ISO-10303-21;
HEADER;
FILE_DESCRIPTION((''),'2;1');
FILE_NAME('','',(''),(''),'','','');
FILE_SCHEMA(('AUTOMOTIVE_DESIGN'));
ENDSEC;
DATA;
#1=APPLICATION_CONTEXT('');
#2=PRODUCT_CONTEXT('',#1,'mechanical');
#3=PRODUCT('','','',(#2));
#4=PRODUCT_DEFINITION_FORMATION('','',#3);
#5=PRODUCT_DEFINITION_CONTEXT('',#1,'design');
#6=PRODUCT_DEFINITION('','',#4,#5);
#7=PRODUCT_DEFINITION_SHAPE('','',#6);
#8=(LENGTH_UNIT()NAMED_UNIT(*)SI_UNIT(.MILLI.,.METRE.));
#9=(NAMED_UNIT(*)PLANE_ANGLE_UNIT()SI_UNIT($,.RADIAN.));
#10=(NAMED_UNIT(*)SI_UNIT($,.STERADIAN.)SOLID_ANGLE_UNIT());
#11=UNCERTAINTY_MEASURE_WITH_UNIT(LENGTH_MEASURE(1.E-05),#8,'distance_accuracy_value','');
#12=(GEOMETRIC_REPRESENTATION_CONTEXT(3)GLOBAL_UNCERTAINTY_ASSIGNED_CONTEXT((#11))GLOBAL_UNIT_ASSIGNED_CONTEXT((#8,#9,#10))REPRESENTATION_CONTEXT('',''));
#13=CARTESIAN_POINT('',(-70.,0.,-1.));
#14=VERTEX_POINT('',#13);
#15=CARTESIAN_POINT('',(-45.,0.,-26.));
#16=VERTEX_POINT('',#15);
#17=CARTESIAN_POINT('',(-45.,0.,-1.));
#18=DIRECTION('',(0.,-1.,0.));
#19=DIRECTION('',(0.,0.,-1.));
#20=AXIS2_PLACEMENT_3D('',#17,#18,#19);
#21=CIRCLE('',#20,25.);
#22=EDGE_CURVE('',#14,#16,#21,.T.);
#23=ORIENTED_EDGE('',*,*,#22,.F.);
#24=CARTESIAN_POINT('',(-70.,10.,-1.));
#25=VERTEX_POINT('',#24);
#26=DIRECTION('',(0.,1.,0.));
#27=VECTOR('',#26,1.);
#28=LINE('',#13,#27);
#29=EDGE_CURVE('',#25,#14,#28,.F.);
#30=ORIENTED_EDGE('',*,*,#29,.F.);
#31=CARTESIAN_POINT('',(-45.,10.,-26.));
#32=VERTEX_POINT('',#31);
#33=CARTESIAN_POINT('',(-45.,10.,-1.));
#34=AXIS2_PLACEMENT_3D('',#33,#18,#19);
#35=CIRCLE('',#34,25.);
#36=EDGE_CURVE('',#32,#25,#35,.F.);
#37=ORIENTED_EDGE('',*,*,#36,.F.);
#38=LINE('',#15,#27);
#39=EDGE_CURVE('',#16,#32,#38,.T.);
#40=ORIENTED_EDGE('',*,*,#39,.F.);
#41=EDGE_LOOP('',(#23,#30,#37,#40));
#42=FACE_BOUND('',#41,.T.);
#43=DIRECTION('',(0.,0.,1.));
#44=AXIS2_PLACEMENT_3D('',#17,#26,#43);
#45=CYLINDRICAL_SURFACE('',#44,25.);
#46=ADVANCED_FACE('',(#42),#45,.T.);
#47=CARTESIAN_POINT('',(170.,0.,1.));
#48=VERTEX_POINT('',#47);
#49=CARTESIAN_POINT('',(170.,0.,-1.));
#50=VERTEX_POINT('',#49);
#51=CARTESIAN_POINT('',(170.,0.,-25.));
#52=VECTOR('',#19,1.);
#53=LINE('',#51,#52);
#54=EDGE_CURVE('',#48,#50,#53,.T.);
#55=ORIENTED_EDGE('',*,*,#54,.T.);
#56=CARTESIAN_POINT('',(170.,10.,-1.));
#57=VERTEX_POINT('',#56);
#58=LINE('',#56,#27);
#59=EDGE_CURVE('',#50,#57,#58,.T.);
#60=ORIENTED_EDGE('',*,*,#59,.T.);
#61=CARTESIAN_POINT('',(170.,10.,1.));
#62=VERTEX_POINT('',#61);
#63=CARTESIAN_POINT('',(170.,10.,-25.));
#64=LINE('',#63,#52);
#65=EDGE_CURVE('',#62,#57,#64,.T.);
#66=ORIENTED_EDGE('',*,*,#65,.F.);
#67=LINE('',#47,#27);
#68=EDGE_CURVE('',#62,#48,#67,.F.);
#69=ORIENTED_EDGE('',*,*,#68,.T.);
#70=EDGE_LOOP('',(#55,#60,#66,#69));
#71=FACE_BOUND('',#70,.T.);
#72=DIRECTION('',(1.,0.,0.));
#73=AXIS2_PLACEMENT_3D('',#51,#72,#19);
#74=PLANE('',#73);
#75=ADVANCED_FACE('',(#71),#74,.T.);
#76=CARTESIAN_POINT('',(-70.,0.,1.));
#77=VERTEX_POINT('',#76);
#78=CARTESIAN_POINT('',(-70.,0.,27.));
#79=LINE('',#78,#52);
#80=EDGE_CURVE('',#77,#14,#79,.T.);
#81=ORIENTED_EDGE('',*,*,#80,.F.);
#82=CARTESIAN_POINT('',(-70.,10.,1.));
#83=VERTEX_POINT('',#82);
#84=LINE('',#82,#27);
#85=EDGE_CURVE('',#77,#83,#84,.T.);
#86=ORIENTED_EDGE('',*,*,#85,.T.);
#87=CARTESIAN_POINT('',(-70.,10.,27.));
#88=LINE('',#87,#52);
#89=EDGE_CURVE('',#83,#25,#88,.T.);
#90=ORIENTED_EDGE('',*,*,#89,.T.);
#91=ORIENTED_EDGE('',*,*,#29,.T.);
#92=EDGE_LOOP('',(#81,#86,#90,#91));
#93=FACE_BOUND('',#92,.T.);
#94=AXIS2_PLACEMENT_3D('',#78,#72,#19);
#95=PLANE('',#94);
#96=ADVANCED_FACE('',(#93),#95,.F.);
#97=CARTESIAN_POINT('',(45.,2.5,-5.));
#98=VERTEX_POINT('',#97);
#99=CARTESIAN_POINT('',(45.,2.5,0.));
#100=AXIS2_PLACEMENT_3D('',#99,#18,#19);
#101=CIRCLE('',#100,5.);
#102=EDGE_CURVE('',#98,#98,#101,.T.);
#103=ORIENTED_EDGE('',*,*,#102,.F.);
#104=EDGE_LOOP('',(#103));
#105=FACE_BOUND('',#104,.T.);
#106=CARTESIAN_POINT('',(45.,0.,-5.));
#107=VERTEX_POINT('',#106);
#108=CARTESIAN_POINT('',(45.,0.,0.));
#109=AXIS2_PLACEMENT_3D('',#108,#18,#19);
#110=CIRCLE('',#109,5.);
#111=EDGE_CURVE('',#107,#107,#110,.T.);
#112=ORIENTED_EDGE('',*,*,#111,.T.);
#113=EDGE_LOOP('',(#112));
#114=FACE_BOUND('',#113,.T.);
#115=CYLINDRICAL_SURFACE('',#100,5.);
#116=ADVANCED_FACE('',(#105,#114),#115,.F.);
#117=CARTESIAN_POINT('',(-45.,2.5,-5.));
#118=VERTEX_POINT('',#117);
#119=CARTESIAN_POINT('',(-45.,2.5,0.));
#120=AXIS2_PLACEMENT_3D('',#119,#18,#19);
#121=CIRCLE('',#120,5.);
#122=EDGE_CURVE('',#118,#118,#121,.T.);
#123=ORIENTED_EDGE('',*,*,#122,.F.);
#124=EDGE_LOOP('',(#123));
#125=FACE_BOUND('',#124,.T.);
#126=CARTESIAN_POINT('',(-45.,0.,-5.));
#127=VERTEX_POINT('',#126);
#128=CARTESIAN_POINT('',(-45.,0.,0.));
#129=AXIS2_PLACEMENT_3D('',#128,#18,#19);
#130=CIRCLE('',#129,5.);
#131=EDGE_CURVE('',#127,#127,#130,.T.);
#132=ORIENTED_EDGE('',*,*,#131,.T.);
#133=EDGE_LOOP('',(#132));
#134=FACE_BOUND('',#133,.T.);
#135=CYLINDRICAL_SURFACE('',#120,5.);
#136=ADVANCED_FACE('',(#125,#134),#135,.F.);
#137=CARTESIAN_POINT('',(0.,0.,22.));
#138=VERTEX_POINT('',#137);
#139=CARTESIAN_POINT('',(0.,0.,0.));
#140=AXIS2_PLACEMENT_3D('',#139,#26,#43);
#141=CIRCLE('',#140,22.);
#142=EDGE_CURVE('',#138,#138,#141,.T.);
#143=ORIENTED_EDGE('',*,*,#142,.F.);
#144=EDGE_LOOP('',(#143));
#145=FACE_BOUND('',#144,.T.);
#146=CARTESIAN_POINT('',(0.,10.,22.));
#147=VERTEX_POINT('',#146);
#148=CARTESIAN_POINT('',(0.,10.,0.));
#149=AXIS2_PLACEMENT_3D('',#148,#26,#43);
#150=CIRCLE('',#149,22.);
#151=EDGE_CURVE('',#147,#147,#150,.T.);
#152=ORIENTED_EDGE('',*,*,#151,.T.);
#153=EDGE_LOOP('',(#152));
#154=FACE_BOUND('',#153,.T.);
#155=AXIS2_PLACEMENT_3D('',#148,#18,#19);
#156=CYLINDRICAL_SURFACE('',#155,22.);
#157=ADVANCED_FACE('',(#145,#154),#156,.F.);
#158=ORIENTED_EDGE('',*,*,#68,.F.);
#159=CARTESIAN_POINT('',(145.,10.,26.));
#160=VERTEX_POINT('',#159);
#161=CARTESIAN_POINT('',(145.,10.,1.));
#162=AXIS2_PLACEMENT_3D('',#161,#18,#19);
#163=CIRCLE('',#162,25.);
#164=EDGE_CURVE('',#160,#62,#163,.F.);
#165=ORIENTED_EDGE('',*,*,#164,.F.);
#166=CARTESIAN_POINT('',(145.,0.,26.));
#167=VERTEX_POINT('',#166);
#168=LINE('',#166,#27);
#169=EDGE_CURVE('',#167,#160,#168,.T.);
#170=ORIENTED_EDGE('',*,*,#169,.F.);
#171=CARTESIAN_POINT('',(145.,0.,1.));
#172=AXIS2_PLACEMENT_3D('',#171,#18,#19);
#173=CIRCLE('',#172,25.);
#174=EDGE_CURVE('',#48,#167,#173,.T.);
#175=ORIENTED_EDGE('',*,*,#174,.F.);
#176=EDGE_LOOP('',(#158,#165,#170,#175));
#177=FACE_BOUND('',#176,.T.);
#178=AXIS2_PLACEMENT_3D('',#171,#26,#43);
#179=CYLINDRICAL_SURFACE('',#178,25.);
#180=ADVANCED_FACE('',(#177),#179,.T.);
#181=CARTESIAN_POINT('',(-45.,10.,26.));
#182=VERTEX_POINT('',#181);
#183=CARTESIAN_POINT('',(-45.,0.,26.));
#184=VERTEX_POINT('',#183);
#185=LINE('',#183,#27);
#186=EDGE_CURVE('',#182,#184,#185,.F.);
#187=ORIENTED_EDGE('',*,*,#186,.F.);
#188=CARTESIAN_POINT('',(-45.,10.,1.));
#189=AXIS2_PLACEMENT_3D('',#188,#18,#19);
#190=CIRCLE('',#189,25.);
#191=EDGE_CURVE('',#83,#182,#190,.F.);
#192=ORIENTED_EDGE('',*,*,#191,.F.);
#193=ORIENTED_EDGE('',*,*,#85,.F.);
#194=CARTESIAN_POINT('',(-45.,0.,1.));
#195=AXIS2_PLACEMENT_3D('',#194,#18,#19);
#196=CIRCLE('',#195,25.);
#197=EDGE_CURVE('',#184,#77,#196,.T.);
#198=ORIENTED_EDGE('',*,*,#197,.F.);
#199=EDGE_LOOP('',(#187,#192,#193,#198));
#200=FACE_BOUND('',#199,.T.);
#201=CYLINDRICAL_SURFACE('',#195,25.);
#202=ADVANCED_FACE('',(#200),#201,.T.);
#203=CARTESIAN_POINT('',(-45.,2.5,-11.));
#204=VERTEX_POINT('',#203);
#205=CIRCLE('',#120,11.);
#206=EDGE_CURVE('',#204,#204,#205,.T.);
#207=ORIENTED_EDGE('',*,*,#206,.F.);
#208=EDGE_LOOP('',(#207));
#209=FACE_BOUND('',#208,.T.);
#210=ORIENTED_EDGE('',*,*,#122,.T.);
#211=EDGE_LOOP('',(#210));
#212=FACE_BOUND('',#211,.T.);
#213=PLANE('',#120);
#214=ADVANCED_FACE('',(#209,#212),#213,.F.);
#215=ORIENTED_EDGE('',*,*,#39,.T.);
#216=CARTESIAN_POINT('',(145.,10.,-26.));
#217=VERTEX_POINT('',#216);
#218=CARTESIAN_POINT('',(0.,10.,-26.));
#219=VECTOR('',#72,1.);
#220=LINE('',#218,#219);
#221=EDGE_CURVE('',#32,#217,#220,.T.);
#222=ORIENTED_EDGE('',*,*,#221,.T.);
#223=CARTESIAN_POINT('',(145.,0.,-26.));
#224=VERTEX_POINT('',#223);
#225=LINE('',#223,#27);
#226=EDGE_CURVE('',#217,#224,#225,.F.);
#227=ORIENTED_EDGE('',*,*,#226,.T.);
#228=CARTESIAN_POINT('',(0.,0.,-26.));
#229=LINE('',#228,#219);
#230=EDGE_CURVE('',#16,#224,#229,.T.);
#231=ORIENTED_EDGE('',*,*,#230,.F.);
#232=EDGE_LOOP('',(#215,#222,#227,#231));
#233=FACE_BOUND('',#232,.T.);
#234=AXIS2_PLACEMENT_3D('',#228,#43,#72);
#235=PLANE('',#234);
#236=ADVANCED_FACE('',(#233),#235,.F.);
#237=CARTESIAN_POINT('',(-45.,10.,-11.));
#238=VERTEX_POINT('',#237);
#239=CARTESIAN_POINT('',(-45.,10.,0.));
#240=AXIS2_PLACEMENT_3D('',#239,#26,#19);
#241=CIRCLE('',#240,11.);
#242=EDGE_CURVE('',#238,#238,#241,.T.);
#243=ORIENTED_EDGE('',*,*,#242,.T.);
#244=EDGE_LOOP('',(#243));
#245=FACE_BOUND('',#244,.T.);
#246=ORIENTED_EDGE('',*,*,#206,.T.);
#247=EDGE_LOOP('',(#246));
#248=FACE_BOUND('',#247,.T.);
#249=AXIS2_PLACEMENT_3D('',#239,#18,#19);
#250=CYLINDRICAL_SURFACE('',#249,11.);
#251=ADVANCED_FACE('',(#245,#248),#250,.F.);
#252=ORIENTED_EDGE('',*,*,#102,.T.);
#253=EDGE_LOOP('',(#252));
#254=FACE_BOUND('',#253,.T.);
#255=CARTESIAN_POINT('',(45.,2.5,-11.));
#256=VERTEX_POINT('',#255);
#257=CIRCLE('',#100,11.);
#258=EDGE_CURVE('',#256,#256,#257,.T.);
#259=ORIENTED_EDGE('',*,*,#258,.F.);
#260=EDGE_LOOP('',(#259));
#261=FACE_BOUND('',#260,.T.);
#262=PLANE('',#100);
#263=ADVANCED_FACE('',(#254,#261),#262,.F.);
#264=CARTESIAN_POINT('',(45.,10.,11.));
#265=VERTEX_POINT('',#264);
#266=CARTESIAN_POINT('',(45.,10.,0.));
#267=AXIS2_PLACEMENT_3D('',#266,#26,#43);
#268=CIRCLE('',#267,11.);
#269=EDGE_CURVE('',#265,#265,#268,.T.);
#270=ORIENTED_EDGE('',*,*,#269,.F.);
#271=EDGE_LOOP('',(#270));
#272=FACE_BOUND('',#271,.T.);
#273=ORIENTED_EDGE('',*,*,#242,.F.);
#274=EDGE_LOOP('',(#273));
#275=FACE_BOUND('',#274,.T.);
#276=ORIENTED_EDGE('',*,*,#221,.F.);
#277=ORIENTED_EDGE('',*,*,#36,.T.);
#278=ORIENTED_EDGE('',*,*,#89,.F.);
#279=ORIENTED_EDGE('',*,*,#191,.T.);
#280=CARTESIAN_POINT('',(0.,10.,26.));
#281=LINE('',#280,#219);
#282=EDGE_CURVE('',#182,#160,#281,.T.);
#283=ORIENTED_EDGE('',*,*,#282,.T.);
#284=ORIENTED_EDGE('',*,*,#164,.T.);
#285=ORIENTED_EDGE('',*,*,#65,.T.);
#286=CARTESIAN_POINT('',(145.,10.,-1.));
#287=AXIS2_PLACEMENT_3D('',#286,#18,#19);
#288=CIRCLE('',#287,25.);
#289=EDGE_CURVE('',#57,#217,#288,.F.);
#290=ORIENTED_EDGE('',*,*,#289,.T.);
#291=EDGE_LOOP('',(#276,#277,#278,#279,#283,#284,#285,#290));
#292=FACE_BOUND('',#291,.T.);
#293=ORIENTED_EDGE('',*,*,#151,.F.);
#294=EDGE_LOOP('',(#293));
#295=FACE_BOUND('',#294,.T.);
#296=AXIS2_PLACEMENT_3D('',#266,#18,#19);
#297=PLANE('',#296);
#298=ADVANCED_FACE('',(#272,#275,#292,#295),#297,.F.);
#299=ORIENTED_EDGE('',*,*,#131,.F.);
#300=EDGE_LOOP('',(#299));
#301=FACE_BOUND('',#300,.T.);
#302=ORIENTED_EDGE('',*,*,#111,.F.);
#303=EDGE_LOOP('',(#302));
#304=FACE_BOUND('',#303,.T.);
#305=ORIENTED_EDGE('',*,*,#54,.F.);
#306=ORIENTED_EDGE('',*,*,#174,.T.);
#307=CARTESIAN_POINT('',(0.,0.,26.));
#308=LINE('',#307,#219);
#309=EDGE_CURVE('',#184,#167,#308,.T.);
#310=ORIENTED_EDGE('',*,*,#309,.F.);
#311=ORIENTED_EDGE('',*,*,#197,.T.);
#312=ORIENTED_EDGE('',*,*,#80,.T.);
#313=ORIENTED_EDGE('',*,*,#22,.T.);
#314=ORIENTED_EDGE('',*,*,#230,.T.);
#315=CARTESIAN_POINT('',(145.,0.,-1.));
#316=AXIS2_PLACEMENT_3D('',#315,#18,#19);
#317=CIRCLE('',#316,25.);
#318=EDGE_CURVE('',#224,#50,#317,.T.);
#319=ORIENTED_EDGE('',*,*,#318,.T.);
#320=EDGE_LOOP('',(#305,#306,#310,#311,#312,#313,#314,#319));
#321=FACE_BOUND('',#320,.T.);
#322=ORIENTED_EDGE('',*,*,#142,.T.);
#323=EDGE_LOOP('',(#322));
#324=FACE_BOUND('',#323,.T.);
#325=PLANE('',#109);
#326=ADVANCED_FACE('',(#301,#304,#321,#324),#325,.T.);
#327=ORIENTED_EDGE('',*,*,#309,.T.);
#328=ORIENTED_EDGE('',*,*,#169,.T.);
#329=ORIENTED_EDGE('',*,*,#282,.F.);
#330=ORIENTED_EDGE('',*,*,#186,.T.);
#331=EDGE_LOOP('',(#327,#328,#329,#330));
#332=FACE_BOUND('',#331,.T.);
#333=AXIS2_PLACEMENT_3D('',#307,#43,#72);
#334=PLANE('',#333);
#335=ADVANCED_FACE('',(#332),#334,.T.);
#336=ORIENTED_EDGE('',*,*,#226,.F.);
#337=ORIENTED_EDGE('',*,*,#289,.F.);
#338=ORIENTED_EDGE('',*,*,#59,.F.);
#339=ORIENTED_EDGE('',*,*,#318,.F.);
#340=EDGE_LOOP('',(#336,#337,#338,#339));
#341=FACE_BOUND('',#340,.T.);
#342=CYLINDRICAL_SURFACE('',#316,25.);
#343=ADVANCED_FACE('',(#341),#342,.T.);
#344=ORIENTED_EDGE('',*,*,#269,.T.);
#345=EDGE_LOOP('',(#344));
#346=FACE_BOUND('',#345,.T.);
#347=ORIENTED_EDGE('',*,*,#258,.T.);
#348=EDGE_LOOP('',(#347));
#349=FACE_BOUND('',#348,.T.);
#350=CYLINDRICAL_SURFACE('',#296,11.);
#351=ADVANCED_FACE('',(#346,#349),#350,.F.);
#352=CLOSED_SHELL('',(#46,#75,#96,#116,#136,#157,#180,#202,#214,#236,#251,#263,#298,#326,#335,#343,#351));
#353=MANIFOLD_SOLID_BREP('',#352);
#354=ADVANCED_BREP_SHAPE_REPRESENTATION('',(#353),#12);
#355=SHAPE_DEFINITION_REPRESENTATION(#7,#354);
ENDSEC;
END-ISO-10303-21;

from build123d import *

# Parameters (mm, degrees)
SKETCH1_R           = 11
SKETCH1_R_2         = 22
BOSS_EXTRUDE1_DEPTH = 10
BOSS_EXTRUDE4_DEPTH = 10
CUT_EXTRUDE1_DEPTH  = 10
BOSS_EXTRUDE5_DEPTH = 10
BOSS_EXTRUDE6_DEPTH = 10
SKETCH2_R           = 12.791308891
SKETCH2_R_2         = 5
SKETCH2_R_3         = 12.648974484
BOSS_EXTRUDE2_DEPTH = 2.5
CUT_EXTRUDE2_DEPTH  = 10
FILLET1_R           = 25
BOSS_EXTRUDE7_DEPTH = 10
FILLET2_R           = 25
FILLET3_R           = 25
CUT_EXTRUDE5_DEPTH  = 10
BOSS_EXTRUDE8_DEPTH = 10
BOSS_EXTRUDE9_DEPTH = 10
FILLET4_R           = 25


with BuildPart() as part:
    # Sketch1 → Boss-Extrude1 (new body)
    with BuildSketch(Plane(origin=(0, 0, 0), x_dir=(1, 0, 0), z_dir=(0, 1, 0))):
        with BuildLine():
            Line((-70, -27), (-25, -27))
            Line((-25, -27), (25, -27))
            Line((25, -27), (70, -27))
            Line((70, -27), (70, 0))
            ThreePointArc((70, 0), (62.67766953, 17.67766953), (45, 25))
            Line((45, 25), (-45, 25))
            ThreePointArc((-45, 25), (-62.67766953, 17.67766953), (-70, 0))
            Line((-70, 0), (-70, -27))
        make_face()
        with Locations(Location((-45, 0, 0), (0, 0, 90))):  # turned: the seam where the file's is
            Circle(SKETCH1_R, mode=Mode.SUBTRACT)
        with Locations(Location((0, 0, 0), (0, 0, 270))):  # turned: the seam where the file's is
            Circle(SKETCH1_R_2, mode=Mode.SUBTRACT)
        with Locations(Location((45, 0, 0), (0, 0, 270))):  # turned: the seam where the file's is
            Circle(SKETCH1_R, mode=Mode.SUBTRACT)
    extrude(amount=BOSS_EXTRUDE1_DEPTH)

    # Sketch3_2 → Boss-Extrude4 (add)
    with BuildSketch(Plane(origin=(0, 10, 0), x_dir=(1, 0, 0), z_dir=(0, 1, 0))):
        Polygon((-70, -27), (-121.413521395, -27), (-121.413521395, 25), (-45, 25), (-60.069243324, 8.259929081), align=None)
    extrude(amount=-BOSS_EXTRUDE4_DEPTH)

    # Sketch3 → Cut-Extrude1 (cut)
    with BuildSketch(Plane(origin=(0, 10, 0), x_dir=(1, 0, 0), z_dir=(0, 1, 0))):
        Polygon((-70, -27), (-121.413521395, -27), (-121.413521395, 25), (-45, 25), (-60.069243324, 8.259929081), align=None)
    extrude(amount=-CUT_EXTRUDE1_DEPTH, mode=Mode.SUBTRACT)

    # Sketch5 → Boss-Extrude5 (add)
    with BuildSketch(Plane(origin=(0, 10, 0), x_dir=(1, 0, 0), z_dir=(0, 1, 0))):
        Polygon((-70, -27), (-152.396081637, -27), (-152.396081637, 25), (-45, 25), (-47.056495807, 18.199026423), (-57.650043642, 5.920141433), (-62.706055109, -17.674578746), align=None)
    extrude(amount=-BOSS_EXTRUDE5_DEPTH)

    # Sketch6 → Boss-Extrude6 (add)
    with BuildSketch(Plane(origin=(0, 10, 0), x_dir=(1, 0, 0), z_dir=(0, 1, 0))):
        Polygon((-170, -27), (-147.259885351, -27), (-136.049250897, -7.734745997), (-143.609911342, 12.600823478), (-152.396081637, 25), (-170, 25), align=None)
    extrude(amount=-BOSS_EXTRUDE6_DEPTH)

    # Sketch2 → Boss-Extrude2 (add)
    with BuildSketch(Plane.XZ):
        with Locations((-45, 0)):
            Circle(SKETCH2_R)
        with Locations(Location((-45, 0, 0), (0, 0, 270))):  # turned: the seam where the file's is
            Circle(SKETCH2_R_2, mode=Mode.SUBTRACT)
        with Locations((45, 0)):
            Circle(SKETCH2_R_3)
        with Locations(Location((45, 0, 0), (0, 0, 270))):  # turned: the seam where the file's is
            Circle(SKETCH2_R_2, mode=Mode.SUBTRACT)
    extrude(amount=-BOSS_EXTRUDE2_DEPTH)

    # Sketch7 → Cut-Extrude2 (cut)
    with BuildSketch(Plane(origin=(0, 10, 0), x_dir=(1, 0, 0), z_dir=(0, 1, 0))):
        Polygon((-70, -27), (-70, 25), (-80.950376598, 84.263900648), (-214.684311222, 75.641343309), (-217.522149123, -21.969417176), (-150.276663253, -84.577260073), align=None)
    extrude(amount=-CUT_EXTRUDE2_DEPTH, mode=Mode.SUBTRACT)

    # Fillet1
    fillet1_edges = [part.edges().sort_by_distance(p)[0] for p in [
        (-70, 5, -25),
    ]]
    fillet(fillet1_edges, radius=FILLET1_R)

    # Sketch8 → Boss-Extrude7 (add)
    with BuildSketch(Plane(origin=(0, 10, 0), x_dir=(1, 0, 0), z_dir=(0, 1, 0))):
        Polygon((45, 25), (170, 25), (170, -27), (70, -27), (59.971259961, 0), align=None)
    extrude(amount=-BOSS_EXTRUDE7_DEPTH)

    # Fillet2
    fillet2_edges = [part.edges().sort_by_distance(p)[0] for p in [
        (170, 5, -25),
    ]]
    fillet(fillet2_edges, radius=FILLET2_R)

    # Fillet3
    fillet3_edges = [part.edges().sort_by_distance(p)[0] for p in [
        (-70, 5, 27),
        (170, 5, 27),
    ]]
    fillet(fillet3_edges, radius=FILLET3_R)

    # Sketch9 → Cut-Extrude5 (cut)
    with BuildSketch(Plane(origin=(0, 10, 0), x_dir=(1, 0, 0), z_dir=(0, 1, 0))):
        with BuildLine():
            Line((168.265391903, -53.084180291), (170, -26))
            Line((170, -26), (152, -26))
            ThreePointArc((152, -26), (148.535533906, -26.748737342), (145, -27))
            Line((145, -27), (-45, -27))
            ThreePointArc((-45, -27), (-48.535533906, -26.748737342), (-52, -26))
            Line((-52, -26), (-70, -26))
            Line((-70, -26), (-6.059888958, -84.123320181))
            Line((-6.059888958, -84.123320181), (168.265391903, -53.084180291))
        make_face()
        with BuildLine():
            ThreePointArc((145, -27), (148.535533906, -26.748737342), (152, -26))
            Line((152, -26), (-52, -26))
            ThreePointArc((-52, -26), (-48.535533906, -26.748737342), (-45, -27))
            Line((-45, -27), (145, -27))
        make_face()
    extrude(amount=-CUT_EXTRUDE5_DEPTH, mode=Mode.SUBTRACT)

    # Sketch10 → Boss-Extrude8 (add)
    with BuildSketch(Plane(origin=(0, 10, 0), x_dir=(1, 0, 0), z_dir=(0, 1, 0))):
        with BuildLine():
            Line((-14.39135104, -23.974647324), (-57.930920378, -15.319190769))
            Line((-57.930920378, -15.319190769), (-70, 0))
            Line((-70, 0), (-70, -2))
            ThreePointArc((-70, -2), (-65, -17), (-52, -26))
            Line((-52, -26), (152, -26))
            ThreePointArc((152, -26), (165, -17), (170, -2))
            Line((170, -2), (170, 0))
            Line((170, 0), (125.93195978, -21.351781701))
            Line((125.93195978, -21.351781701), (-14.39135104, -23.974647324))
        make_face()
        with BuildLine():
            Line((170, -26), (170, -2))
            ThreePointArc((170, -2), (165, -17), (152, -26))
            Line((152, -26), (170, -26))
        make_face()
        with BuildLine():
            ThreePointArc((-52, -26), (-65, -17), (-70, -2))
            Line((-70, -2), (-70, -26))
            Line((-70, -26), (-52, -26))
        make_face()
    extrude(amount=-BOSS_EXTRUDE8_DEPTH)

    # Sketch11 → Boss-Extrude9 (add)
    with BuildSketch(Plane(origin=(0, 10, 0), x_dir=(1, 0, 0), z_dir=(0, 1, 0))):
        with BuildLine():
            Line((-57.382853391, 13.015294561), (-70, 0))
            ThreePointArc((-70, 0), (-62.67766953, 17.67766953), (-45, 25))
            Line((-45, 25), (145, 25))
            ThreePointArc((145, 25), (162.67766953, 17.67766953), (170, 0))
            Line((170, 0), (115.178210727, 18.515775765))
            Line((115.178210727, 18.515775765), (14.984743936, 21.925501075))
            Line((14.984743936, 21.925501075), (-3.225773035, 23.26883074))
            Line((-3.225773035, 23.26883074), (-31.681488845, 16.787813616))
            Line((-31.681488845, 16.787813616), (-57.382853391, 13.015294561))
        make_face()
        with BuildLine():
            Line((170, 0), (170, 26))
            Line((170, 26), (-70, 26))
            Line((-70, 26), (-70, 0))
            ThreePointArc((-70, 0), (-62.67766953, 17.67766953), (-45, 25))
            Line((-45, 25), (145, 25))
            ThreePointArc((145, 25), (162.67766953, 17.67766953), (170, 0))
        make_face()
    extrude(amount=-BOSS_EXTRUDE9_DEPTH)

    # Fillet4
    fillet4_edges = [part.edges().sort_by_distance(p)[0] for p in [
        (170, 5, 26),
        (-70, 5, 26),
        (-70, 5, -26),
        (170, 5, -26),
    ]]
    fillet(fillet4_edges, radius=FILLET4_R)


solid = part.part
